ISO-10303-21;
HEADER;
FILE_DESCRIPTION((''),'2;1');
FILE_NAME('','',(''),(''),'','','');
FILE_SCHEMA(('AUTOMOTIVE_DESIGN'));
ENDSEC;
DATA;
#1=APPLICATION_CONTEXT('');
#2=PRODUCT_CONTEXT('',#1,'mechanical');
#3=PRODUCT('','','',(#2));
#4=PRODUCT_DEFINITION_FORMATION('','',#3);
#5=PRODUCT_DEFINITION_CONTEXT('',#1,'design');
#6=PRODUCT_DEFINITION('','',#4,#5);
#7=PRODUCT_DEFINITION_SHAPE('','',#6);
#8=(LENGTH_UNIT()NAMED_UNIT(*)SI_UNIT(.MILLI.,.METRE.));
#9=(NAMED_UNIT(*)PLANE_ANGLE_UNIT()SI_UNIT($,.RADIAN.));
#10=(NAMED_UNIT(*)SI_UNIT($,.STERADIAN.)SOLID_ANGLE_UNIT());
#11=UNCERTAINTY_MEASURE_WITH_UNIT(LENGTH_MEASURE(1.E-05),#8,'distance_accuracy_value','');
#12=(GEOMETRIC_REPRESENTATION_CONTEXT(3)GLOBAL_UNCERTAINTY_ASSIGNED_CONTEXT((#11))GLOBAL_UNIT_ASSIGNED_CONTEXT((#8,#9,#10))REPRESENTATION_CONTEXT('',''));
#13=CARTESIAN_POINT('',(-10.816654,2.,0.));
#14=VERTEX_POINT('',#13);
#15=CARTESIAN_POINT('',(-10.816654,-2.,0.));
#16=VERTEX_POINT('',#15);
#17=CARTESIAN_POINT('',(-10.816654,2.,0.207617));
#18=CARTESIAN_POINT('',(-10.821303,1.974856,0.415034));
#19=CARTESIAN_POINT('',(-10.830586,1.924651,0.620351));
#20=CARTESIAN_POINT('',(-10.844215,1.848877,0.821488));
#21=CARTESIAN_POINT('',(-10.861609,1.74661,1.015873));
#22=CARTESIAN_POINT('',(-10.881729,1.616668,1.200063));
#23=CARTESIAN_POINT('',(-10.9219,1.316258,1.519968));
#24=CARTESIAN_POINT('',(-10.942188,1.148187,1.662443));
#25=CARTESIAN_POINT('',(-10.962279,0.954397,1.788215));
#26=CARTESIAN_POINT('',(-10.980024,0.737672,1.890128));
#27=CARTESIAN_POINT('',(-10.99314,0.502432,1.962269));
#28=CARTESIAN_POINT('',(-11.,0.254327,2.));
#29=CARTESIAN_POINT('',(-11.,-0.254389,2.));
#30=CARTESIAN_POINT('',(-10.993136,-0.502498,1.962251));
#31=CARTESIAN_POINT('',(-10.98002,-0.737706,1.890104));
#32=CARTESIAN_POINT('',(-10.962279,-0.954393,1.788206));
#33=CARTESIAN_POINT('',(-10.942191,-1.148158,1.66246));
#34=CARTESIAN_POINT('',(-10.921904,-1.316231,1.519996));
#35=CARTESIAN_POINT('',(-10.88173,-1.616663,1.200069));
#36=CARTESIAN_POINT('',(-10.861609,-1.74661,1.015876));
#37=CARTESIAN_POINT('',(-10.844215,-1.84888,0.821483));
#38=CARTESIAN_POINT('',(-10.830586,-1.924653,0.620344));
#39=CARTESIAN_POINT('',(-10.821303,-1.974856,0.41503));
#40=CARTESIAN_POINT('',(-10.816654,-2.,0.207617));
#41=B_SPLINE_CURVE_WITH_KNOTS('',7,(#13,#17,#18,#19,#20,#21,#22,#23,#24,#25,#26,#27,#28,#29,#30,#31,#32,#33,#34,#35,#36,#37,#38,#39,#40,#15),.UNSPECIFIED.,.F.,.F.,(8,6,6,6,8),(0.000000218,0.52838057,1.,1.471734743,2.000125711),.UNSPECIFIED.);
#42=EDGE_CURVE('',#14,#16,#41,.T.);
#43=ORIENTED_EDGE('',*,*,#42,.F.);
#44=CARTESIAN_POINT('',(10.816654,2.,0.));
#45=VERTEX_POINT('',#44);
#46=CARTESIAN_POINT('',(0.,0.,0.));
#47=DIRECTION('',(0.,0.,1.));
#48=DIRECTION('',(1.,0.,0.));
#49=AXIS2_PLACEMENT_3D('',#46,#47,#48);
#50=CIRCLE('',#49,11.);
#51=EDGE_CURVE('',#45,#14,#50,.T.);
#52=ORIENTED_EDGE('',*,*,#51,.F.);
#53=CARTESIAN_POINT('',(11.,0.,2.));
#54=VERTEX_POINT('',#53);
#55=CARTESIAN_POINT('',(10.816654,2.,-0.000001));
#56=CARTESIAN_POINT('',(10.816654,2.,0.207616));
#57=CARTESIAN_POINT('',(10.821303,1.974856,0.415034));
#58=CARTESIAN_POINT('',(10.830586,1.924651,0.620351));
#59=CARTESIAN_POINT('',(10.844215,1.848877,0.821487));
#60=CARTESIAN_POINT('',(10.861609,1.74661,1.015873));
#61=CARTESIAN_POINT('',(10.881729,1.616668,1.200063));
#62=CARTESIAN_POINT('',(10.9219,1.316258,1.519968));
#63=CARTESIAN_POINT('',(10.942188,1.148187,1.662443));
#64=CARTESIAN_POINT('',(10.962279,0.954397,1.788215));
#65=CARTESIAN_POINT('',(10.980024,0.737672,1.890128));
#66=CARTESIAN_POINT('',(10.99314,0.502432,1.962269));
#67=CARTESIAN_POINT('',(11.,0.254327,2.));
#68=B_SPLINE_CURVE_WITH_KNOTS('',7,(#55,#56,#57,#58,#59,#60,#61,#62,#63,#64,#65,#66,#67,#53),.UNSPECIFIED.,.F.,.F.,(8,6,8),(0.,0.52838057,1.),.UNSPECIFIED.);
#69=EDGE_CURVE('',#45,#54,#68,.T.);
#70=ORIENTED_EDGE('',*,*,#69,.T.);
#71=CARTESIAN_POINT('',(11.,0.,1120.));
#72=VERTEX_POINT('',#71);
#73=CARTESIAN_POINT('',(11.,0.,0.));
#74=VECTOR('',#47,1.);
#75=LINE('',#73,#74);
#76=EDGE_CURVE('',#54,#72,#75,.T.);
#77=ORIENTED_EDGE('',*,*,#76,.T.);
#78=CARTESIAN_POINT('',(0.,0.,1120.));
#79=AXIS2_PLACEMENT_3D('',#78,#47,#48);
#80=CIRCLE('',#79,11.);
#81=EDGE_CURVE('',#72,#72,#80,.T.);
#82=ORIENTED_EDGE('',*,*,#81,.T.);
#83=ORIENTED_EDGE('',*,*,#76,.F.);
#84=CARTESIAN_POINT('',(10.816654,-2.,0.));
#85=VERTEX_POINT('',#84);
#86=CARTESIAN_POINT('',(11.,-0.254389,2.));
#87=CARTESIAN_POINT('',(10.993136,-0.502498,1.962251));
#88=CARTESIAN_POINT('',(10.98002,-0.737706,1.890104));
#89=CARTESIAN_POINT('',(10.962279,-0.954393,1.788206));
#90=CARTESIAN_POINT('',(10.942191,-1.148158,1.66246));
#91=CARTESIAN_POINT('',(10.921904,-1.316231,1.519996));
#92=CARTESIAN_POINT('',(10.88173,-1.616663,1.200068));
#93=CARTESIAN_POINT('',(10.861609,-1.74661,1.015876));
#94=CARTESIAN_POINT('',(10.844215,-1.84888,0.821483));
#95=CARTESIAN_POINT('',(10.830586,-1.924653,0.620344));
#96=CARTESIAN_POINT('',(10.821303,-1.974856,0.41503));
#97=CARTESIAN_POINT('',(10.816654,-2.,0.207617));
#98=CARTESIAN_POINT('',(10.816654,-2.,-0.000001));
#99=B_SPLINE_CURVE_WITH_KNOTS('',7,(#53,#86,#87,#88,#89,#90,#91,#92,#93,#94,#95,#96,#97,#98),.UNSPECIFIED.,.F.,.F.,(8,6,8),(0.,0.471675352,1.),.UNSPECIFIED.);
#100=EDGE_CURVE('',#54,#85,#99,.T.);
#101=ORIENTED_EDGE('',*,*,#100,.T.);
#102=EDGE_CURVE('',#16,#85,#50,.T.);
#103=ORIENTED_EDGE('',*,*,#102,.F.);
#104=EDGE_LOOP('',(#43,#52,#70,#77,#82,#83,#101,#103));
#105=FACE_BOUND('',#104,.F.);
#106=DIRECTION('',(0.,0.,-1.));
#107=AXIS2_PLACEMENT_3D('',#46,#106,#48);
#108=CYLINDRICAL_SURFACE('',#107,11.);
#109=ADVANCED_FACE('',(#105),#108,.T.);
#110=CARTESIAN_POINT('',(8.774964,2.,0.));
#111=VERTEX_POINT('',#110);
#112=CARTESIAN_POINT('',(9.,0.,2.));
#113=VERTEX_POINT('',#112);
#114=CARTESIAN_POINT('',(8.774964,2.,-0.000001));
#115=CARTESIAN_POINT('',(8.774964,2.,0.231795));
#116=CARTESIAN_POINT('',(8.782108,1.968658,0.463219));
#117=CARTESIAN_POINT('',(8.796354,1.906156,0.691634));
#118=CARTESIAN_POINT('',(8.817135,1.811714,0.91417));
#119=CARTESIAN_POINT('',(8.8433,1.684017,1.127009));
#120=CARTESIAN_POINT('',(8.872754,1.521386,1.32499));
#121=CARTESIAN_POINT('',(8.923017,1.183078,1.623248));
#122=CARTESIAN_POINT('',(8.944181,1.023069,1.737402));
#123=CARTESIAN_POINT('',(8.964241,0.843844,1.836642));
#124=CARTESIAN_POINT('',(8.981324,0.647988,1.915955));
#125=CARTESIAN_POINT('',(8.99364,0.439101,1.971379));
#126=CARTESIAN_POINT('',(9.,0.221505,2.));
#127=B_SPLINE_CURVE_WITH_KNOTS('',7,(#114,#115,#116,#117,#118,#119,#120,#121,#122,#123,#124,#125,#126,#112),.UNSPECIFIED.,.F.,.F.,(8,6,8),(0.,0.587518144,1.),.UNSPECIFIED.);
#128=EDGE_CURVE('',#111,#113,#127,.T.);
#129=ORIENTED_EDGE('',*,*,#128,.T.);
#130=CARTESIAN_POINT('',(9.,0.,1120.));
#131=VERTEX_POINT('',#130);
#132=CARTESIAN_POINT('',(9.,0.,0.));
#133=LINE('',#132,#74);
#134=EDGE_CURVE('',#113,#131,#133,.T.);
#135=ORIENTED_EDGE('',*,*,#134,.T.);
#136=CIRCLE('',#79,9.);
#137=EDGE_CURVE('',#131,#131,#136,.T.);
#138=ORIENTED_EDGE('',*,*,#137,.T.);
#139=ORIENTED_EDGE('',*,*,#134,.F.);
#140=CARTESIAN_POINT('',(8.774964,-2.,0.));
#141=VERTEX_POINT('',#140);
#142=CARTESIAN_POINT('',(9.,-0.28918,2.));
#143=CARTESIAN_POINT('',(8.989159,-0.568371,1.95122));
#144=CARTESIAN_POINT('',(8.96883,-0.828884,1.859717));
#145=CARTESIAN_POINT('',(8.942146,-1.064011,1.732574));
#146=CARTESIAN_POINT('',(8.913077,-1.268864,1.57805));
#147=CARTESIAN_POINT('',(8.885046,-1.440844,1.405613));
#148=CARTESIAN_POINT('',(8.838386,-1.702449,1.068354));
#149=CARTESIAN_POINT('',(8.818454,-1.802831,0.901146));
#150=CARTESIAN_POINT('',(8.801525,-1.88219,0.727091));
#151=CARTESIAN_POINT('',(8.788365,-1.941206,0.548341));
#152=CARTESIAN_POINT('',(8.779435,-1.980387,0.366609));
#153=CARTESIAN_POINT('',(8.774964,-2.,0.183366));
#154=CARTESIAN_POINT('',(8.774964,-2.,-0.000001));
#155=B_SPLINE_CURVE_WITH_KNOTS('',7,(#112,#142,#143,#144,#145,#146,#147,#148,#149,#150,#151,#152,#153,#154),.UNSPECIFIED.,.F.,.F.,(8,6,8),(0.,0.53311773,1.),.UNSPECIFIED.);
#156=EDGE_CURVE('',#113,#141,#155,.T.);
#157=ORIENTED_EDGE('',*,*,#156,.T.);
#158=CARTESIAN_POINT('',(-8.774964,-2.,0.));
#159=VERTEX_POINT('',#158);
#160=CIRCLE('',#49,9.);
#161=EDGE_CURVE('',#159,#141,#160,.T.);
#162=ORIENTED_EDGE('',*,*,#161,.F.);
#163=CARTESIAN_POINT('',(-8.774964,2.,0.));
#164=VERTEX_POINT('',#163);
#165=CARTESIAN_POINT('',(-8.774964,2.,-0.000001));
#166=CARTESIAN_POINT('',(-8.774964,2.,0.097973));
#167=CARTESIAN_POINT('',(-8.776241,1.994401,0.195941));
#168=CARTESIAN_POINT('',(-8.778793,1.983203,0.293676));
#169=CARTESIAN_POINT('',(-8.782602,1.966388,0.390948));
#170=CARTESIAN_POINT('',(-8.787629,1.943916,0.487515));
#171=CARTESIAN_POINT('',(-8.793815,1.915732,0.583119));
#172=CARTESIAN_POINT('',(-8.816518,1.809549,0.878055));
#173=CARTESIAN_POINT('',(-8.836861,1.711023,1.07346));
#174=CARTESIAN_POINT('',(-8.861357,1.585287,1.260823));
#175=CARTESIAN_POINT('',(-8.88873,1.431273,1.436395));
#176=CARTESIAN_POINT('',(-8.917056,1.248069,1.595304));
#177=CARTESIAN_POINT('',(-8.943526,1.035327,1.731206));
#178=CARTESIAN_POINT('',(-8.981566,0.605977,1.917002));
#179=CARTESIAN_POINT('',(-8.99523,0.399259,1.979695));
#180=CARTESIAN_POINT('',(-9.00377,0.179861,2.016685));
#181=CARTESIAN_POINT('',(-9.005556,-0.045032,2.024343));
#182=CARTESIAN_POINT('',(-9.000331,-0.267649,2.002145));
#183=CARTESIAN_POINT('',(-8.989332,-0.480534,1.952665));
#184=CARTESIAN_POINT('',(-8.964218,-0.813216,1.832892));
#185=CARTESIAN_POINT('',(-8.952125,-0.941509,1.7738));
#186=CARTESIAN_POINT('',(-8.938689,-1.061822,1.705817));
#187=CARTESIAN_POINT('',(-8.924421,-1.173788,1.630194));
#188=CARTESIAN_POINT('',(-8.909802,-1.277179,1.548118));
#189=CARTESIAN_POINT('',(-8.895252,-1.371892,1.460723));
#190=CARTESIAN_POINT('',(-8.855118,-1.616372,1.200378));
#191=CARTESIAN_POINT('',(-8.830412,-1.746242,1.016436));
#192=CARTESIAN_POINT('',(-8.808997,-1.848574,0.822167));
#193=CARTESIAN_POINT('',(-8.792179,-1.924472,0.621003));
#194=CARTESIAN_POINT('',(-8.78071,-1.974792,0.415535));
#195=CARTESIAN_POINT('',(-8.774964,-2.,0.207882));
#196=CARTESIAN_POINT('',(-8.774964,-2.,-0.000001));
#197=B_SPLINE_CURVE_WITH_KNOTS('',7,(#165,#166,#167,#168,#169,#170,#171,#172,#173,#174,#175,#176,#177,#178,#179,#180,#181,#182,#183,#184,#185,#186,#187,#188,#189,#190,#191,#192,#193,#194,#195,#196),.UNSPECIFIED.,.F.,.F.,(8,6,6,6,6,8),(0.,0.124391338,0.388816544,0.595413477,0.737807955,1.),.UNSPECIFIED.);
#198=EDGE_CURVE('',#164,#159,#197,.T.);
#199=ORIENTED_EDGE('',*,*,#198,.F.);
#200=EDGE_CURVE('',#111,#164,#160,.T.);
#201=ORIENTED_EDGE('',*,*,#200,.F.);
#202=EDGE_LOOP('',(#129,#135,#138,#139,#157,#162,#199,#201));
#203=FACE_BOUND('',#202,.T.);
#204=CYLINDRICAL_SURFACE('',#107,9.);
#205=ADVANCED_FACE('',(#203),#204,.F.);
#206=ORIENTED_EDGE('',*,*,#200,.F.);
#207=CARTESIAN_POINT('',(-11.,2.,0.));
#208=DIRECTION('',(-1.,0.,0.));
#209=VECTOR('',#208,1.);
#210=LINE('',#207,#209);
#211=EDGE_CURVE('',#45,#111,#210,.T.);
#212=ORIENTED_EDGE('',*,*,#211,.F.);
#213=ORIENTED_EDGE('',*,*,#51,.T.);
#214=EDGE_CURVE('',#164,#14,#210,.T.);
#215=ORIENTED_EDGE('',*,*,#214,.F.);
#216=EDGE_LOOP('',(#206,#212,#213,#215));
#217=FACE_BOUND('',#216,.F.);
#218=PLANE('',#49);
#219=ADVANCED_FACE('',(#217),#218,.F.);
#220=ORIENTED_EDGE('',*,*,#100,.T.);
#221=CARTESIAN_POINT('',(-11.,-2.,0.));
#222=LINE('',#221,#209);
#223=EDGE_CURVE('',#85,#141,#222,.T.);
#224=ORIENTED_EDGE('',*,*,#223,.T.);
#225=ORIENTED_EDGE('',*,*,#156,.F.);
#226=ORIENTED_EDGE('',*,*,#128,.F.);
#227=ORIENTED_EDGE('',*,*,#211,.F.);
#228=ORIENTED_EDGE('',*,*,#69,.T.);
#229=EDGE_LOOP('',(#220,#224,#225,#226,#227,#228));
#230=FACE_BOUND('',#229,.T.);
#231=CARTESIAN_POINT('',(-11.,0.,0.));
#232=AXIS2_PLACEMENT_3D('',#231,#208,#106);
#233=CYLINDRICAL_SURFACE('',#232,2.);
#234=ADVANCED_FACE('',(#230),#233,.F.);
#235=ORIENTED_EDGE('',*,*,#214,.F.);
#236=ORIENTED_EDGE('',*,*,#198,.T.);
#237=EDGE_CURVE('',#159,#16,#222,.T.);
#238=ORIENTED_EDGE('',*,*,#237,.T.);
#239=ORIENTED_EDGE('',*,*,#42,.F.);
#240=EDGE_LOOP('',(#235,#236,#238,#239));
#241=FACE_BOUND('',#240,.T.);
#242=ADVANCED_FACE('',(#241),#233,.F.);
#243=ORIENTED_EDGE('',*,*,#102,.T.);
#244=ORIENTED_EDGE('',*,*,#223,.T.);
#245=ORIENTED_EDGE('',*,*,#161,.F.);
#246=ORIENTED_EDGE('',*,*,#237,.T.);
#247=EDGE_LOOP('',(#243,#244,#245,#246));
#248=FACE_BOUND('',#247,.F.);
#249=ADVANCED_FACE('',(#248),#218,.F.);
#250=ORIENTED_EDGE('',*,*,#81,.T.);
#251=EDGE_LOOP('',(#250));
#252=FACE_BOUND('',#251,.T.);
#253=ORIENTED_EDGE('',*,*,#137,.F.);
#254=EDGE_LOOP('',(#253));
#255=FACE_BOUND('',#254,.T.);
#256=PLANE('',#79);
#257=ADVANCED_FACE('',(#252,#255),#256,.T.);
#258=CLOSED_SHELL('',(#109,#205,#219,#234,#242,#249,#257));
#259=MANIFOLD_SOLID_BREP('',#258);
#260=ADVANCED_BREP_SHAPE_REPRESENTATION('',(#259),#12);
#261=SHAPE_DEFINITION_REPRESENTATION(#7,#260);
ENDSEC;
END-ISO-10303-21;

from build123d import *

# Parameters (mm, degrees)
CYLINDER002_R     = 2
CYLINDER002_DEPTH = 22
CYLINDER001_R     = 9
CYLINDER001_DEPTH = 1120
CYLINDER_R        = 11
CYLINDER_DEPTH    = 1120


with BuildPart() as cylinder002:
    # Cylinder002 → Cylinder002 (new body)
    with BuildSketch(Plane(origin=(-11, 0, 0), x_dir=(0, 0, -1), z_dir=(1, 0, 0))):
        Circle(CYLINDER002_R)
    extrude(amount=CYLINDER002_DEPTH)


with BuildPart() as cylinder001:
    # Cylinder001 → Cylinder001 (new body)
    with BuildSketch(Plane.XY):
        Circle(CYLINDER001_R)
    extrude(amount=CYLINDER001_DEPTH)


with BuildPart() as body:
    # Cylinder → Cylinder (new body)
    with BuildSketch(Plane.XY):
        Circle(CYLINDER_R)
    extrude(amount=CYLINDER_DEPTH)

    # Cut: cut Cylinder001
    add(cylinder001.part, mode=Mode.SUBTRACT)

    # Cut001: cut Cylinder002
    add(cylinder002.part, mode=Mode.SUBTRACT)


solid = body.part
